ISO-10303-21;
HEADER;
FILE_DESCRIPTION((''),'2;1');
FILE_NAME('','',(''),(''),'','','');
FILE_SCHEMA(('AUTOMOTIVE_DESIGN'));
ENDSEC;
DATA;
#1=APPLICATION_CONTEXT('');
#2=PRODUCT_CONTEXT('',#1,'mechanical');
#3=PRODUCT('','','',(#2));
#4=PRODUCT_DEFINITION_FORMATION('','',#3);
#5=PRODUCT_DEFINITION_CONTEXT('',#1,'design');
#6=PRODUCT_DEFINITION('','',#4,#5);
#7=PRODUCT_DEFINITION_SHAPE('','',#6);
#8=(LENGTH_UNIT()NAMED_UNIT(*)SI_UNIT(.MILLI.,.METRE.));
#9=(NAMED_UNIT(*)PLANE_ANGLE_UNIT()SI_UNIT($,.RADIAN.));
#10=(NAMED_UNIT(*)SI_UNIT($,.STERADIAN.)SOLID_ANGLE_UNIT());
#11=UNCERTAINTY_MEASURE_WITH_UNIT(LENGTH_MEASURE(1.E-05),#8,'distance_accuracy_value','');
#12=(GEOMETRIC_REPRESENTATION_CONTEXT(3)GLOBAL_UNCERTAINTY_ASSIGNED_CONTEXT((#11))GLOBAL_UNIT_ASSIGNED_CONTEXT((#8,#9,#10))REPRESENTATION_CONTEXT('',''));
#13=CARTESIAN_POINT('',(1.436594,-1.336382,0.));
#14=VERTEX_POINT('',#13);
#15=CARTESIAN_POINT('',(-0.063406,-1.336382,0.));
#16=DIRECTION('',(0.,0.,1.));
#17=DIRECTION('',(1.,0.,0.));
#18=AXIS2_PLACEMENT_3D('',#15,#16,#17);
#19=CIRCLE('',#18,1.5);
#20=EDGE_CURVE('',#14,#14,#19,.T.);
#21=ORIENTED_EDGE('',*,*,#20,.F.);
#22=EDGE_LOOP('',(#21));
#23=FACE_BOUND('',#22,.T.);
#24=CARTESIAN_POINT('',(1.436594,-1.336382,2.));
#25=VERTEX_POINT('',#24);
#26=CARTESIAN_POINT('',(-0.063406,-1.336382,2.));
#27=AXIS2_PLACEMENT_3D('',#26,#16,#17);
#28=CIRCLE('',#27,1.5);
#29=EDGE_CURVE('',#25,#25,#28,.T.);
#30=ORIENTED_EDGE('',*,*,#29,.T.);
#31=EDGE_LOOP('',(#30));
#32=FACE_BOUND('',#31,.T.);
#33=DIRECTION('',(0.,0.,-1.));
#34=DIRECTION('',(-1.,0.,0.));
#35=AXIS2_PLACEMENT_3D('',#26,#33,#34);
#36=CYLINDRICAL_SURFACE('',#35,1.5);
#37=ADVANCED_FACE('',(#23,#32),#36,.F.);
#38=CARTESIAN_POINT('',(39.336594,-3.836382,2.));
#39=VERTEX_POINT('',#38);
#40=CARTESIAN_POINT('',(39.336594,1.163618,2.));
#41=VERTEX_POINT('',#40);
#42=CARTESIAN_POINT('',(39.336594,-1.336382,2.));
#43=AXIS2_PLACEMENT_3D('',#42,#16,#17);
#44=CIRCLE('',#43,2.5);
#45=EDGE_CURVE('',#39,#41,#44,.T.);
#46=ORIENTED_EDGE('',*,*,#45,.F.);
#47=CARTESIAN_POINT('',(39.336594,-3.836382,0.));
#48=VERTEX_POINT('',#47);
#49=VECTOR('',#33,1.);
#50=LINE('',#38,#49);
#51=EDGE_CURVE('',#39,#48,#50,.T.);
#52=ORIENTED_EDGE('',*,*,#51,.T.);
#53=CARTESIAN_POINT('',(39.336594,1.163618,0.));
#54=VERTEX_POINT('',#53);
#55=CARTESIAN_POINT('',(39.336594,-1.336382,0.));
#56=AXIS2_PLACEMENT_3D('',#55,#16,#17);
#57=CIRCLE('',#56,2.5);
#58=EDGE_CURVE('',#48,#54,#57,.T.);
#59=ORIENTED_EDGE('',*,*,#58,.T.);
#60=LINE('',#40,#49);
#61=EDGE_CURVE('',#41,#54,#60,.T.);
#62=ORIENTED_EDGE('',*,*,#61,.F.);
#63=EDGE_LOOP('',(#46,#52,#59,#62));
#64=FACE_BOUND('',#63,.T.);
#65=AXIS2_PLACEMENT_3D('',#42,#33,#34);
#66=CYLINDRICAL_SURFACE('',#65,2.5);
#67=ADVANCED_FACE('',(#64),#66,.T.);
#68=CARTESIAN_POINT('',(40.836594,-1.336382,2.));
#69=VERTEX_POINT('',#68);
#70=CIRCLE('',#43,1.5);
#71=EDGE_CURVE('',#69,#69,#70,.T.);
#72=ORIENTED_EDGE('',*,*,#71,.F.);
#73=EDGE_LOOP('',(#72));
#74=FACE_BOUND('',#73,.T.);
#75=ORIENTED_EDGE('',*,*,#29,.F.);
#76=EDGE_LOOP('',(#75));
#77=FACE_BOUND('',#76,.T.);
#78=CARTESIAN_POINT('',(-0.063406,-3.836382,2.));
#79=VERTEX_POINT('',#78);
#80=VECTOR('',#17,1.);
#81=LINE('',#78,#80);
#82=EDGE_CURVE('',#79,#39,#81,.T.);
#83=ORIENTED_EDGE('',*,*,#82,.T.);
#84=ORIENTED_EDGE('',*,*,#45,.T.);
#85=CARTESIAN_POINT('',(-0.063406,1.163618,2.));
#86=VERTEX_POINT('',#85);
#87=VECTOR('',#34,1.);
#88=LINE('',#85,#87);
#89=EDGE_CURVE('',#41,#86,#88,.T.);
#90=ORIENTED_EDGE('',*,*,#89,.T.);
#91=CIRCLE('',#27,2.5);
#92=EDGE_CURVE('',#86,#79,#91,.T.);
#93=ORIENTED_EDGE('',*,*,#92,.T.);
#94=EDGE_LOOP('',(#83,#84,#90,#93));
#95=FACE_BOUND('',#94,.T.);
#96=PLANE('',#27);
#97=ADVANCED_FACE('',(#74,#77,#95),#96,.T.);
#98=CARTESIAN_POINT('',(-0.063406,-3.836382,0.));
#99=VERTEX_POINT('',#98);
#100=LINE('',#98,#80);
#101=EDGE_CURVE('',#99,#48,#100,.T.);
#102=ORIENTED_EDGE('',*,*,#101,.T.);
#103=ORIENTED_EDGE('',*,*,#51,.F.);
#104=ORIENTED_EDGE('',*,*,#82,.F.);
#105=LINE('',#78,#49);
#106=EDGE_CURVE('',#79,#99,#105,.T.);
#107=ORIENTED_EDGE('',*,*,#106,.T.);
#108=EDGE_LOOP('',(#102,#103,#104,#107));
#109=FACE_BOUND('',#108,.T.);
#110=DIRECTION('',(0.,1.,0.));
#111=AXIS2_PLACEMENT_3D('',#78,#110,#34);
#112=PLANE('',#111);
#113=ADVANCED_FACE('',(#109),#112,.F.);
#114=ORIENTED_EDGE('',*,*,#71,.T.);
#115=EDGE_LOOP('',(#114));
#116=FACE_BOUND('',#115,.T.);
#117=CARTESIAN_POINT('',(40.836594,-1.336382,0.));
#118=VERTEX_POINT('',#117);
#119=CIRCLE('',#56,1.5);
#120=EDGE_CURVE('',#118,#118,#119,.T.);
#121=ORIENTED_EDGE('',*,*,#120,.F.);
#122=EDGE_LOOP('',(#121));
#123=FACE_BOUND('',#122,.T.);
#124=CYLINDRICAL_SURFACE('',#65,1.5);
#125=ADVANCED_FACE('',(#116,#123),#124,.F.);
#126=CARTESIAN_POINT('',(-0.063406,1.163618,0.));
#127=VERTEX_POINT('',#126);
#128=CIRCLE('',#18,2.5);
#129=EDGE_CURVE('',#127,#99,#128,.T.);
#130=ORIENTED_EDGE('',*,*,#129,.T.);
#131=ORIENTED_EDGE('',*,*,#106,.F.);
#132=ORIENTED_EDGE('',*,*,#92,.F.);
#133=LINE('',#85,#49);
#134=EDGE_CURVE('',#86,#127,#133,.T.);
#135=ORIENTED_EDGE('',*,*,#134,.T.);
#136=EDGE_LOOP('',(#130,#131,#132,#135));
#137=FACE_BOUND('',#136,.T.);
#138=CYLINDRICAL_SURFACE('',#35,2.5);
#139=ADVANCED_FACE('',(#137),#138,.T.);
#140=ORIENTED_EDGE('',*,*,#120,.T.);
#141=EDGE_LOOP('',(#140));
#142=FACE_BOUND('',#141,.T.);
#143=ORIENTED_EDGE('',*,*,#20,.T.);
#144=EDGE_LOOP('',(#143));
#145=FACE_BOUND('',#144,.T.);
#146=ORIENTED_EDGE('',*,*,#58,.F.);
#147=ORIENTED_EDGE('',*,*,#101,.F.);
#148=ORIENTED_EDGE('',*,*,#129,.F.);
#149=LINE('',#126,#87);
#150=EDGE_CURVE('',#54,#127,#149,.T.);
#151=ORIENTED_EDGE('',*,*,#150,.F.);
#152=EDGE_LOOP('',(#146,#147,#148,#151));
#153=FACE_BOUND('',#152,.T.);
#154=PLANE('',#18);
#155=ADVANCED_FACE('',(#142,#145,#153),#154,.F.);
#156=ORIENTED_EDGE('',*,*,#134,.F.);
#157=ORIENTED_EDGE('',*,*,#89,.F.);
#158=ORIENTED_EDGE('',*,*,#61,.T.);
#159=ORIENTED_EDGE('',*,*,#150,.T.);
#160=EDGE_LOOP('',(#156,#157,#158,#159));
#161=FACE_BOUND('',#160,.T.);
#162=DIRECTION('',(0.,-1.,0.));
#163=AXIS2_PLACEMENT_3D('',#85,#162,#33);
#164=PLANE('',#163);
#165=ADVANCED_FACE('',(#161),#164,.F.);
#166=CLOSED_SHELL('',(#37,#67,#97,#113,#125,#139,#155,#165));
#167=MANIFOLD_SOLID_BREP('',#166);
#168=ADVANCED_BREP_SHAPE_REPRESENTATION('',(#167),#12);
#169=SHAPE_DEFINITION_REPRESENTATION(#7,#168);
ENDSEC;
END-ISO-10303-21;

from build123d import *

# Parameters (mm, degrees)
SKETCH1_R           = 1.5
BOSS_EXTRUDE1_DEPTH = 2


with BuildPart() as part:
    # Sketch1 → Boss-Extrude1 (new body)
    with BuildSketch(Plane.XY):
        with BuildLine():
            Line((-0.063405544, 1.16361841), (39.336594456, 1.16361841))
            ThreePointArc((39.336594456, 1.16361841), (41.836594456, -1.33638159), (39.336594456, -3.83638159))
            Line((39.336594456, -3.83638159), (-0.063405544, -3.83638159))
            ThreePointArc((-0.063405544, -3.83638159), (-2.563405544, -1.33638159), (-0.063405544, 1.16361841))
        make_face()
        with Locations((-0.063405544, -1.33638159)):
            Circle(SKETCH1_R, mode=Mode.SUBTRACT)
        with Locations((39.336594456, -1.33638159)):
            Circle(SKETCH1_R, mode=Mode.SUBTRACT)
    extrude(amount=BOSS_EXTRUDE1_DEPTH)


solid = part.part
